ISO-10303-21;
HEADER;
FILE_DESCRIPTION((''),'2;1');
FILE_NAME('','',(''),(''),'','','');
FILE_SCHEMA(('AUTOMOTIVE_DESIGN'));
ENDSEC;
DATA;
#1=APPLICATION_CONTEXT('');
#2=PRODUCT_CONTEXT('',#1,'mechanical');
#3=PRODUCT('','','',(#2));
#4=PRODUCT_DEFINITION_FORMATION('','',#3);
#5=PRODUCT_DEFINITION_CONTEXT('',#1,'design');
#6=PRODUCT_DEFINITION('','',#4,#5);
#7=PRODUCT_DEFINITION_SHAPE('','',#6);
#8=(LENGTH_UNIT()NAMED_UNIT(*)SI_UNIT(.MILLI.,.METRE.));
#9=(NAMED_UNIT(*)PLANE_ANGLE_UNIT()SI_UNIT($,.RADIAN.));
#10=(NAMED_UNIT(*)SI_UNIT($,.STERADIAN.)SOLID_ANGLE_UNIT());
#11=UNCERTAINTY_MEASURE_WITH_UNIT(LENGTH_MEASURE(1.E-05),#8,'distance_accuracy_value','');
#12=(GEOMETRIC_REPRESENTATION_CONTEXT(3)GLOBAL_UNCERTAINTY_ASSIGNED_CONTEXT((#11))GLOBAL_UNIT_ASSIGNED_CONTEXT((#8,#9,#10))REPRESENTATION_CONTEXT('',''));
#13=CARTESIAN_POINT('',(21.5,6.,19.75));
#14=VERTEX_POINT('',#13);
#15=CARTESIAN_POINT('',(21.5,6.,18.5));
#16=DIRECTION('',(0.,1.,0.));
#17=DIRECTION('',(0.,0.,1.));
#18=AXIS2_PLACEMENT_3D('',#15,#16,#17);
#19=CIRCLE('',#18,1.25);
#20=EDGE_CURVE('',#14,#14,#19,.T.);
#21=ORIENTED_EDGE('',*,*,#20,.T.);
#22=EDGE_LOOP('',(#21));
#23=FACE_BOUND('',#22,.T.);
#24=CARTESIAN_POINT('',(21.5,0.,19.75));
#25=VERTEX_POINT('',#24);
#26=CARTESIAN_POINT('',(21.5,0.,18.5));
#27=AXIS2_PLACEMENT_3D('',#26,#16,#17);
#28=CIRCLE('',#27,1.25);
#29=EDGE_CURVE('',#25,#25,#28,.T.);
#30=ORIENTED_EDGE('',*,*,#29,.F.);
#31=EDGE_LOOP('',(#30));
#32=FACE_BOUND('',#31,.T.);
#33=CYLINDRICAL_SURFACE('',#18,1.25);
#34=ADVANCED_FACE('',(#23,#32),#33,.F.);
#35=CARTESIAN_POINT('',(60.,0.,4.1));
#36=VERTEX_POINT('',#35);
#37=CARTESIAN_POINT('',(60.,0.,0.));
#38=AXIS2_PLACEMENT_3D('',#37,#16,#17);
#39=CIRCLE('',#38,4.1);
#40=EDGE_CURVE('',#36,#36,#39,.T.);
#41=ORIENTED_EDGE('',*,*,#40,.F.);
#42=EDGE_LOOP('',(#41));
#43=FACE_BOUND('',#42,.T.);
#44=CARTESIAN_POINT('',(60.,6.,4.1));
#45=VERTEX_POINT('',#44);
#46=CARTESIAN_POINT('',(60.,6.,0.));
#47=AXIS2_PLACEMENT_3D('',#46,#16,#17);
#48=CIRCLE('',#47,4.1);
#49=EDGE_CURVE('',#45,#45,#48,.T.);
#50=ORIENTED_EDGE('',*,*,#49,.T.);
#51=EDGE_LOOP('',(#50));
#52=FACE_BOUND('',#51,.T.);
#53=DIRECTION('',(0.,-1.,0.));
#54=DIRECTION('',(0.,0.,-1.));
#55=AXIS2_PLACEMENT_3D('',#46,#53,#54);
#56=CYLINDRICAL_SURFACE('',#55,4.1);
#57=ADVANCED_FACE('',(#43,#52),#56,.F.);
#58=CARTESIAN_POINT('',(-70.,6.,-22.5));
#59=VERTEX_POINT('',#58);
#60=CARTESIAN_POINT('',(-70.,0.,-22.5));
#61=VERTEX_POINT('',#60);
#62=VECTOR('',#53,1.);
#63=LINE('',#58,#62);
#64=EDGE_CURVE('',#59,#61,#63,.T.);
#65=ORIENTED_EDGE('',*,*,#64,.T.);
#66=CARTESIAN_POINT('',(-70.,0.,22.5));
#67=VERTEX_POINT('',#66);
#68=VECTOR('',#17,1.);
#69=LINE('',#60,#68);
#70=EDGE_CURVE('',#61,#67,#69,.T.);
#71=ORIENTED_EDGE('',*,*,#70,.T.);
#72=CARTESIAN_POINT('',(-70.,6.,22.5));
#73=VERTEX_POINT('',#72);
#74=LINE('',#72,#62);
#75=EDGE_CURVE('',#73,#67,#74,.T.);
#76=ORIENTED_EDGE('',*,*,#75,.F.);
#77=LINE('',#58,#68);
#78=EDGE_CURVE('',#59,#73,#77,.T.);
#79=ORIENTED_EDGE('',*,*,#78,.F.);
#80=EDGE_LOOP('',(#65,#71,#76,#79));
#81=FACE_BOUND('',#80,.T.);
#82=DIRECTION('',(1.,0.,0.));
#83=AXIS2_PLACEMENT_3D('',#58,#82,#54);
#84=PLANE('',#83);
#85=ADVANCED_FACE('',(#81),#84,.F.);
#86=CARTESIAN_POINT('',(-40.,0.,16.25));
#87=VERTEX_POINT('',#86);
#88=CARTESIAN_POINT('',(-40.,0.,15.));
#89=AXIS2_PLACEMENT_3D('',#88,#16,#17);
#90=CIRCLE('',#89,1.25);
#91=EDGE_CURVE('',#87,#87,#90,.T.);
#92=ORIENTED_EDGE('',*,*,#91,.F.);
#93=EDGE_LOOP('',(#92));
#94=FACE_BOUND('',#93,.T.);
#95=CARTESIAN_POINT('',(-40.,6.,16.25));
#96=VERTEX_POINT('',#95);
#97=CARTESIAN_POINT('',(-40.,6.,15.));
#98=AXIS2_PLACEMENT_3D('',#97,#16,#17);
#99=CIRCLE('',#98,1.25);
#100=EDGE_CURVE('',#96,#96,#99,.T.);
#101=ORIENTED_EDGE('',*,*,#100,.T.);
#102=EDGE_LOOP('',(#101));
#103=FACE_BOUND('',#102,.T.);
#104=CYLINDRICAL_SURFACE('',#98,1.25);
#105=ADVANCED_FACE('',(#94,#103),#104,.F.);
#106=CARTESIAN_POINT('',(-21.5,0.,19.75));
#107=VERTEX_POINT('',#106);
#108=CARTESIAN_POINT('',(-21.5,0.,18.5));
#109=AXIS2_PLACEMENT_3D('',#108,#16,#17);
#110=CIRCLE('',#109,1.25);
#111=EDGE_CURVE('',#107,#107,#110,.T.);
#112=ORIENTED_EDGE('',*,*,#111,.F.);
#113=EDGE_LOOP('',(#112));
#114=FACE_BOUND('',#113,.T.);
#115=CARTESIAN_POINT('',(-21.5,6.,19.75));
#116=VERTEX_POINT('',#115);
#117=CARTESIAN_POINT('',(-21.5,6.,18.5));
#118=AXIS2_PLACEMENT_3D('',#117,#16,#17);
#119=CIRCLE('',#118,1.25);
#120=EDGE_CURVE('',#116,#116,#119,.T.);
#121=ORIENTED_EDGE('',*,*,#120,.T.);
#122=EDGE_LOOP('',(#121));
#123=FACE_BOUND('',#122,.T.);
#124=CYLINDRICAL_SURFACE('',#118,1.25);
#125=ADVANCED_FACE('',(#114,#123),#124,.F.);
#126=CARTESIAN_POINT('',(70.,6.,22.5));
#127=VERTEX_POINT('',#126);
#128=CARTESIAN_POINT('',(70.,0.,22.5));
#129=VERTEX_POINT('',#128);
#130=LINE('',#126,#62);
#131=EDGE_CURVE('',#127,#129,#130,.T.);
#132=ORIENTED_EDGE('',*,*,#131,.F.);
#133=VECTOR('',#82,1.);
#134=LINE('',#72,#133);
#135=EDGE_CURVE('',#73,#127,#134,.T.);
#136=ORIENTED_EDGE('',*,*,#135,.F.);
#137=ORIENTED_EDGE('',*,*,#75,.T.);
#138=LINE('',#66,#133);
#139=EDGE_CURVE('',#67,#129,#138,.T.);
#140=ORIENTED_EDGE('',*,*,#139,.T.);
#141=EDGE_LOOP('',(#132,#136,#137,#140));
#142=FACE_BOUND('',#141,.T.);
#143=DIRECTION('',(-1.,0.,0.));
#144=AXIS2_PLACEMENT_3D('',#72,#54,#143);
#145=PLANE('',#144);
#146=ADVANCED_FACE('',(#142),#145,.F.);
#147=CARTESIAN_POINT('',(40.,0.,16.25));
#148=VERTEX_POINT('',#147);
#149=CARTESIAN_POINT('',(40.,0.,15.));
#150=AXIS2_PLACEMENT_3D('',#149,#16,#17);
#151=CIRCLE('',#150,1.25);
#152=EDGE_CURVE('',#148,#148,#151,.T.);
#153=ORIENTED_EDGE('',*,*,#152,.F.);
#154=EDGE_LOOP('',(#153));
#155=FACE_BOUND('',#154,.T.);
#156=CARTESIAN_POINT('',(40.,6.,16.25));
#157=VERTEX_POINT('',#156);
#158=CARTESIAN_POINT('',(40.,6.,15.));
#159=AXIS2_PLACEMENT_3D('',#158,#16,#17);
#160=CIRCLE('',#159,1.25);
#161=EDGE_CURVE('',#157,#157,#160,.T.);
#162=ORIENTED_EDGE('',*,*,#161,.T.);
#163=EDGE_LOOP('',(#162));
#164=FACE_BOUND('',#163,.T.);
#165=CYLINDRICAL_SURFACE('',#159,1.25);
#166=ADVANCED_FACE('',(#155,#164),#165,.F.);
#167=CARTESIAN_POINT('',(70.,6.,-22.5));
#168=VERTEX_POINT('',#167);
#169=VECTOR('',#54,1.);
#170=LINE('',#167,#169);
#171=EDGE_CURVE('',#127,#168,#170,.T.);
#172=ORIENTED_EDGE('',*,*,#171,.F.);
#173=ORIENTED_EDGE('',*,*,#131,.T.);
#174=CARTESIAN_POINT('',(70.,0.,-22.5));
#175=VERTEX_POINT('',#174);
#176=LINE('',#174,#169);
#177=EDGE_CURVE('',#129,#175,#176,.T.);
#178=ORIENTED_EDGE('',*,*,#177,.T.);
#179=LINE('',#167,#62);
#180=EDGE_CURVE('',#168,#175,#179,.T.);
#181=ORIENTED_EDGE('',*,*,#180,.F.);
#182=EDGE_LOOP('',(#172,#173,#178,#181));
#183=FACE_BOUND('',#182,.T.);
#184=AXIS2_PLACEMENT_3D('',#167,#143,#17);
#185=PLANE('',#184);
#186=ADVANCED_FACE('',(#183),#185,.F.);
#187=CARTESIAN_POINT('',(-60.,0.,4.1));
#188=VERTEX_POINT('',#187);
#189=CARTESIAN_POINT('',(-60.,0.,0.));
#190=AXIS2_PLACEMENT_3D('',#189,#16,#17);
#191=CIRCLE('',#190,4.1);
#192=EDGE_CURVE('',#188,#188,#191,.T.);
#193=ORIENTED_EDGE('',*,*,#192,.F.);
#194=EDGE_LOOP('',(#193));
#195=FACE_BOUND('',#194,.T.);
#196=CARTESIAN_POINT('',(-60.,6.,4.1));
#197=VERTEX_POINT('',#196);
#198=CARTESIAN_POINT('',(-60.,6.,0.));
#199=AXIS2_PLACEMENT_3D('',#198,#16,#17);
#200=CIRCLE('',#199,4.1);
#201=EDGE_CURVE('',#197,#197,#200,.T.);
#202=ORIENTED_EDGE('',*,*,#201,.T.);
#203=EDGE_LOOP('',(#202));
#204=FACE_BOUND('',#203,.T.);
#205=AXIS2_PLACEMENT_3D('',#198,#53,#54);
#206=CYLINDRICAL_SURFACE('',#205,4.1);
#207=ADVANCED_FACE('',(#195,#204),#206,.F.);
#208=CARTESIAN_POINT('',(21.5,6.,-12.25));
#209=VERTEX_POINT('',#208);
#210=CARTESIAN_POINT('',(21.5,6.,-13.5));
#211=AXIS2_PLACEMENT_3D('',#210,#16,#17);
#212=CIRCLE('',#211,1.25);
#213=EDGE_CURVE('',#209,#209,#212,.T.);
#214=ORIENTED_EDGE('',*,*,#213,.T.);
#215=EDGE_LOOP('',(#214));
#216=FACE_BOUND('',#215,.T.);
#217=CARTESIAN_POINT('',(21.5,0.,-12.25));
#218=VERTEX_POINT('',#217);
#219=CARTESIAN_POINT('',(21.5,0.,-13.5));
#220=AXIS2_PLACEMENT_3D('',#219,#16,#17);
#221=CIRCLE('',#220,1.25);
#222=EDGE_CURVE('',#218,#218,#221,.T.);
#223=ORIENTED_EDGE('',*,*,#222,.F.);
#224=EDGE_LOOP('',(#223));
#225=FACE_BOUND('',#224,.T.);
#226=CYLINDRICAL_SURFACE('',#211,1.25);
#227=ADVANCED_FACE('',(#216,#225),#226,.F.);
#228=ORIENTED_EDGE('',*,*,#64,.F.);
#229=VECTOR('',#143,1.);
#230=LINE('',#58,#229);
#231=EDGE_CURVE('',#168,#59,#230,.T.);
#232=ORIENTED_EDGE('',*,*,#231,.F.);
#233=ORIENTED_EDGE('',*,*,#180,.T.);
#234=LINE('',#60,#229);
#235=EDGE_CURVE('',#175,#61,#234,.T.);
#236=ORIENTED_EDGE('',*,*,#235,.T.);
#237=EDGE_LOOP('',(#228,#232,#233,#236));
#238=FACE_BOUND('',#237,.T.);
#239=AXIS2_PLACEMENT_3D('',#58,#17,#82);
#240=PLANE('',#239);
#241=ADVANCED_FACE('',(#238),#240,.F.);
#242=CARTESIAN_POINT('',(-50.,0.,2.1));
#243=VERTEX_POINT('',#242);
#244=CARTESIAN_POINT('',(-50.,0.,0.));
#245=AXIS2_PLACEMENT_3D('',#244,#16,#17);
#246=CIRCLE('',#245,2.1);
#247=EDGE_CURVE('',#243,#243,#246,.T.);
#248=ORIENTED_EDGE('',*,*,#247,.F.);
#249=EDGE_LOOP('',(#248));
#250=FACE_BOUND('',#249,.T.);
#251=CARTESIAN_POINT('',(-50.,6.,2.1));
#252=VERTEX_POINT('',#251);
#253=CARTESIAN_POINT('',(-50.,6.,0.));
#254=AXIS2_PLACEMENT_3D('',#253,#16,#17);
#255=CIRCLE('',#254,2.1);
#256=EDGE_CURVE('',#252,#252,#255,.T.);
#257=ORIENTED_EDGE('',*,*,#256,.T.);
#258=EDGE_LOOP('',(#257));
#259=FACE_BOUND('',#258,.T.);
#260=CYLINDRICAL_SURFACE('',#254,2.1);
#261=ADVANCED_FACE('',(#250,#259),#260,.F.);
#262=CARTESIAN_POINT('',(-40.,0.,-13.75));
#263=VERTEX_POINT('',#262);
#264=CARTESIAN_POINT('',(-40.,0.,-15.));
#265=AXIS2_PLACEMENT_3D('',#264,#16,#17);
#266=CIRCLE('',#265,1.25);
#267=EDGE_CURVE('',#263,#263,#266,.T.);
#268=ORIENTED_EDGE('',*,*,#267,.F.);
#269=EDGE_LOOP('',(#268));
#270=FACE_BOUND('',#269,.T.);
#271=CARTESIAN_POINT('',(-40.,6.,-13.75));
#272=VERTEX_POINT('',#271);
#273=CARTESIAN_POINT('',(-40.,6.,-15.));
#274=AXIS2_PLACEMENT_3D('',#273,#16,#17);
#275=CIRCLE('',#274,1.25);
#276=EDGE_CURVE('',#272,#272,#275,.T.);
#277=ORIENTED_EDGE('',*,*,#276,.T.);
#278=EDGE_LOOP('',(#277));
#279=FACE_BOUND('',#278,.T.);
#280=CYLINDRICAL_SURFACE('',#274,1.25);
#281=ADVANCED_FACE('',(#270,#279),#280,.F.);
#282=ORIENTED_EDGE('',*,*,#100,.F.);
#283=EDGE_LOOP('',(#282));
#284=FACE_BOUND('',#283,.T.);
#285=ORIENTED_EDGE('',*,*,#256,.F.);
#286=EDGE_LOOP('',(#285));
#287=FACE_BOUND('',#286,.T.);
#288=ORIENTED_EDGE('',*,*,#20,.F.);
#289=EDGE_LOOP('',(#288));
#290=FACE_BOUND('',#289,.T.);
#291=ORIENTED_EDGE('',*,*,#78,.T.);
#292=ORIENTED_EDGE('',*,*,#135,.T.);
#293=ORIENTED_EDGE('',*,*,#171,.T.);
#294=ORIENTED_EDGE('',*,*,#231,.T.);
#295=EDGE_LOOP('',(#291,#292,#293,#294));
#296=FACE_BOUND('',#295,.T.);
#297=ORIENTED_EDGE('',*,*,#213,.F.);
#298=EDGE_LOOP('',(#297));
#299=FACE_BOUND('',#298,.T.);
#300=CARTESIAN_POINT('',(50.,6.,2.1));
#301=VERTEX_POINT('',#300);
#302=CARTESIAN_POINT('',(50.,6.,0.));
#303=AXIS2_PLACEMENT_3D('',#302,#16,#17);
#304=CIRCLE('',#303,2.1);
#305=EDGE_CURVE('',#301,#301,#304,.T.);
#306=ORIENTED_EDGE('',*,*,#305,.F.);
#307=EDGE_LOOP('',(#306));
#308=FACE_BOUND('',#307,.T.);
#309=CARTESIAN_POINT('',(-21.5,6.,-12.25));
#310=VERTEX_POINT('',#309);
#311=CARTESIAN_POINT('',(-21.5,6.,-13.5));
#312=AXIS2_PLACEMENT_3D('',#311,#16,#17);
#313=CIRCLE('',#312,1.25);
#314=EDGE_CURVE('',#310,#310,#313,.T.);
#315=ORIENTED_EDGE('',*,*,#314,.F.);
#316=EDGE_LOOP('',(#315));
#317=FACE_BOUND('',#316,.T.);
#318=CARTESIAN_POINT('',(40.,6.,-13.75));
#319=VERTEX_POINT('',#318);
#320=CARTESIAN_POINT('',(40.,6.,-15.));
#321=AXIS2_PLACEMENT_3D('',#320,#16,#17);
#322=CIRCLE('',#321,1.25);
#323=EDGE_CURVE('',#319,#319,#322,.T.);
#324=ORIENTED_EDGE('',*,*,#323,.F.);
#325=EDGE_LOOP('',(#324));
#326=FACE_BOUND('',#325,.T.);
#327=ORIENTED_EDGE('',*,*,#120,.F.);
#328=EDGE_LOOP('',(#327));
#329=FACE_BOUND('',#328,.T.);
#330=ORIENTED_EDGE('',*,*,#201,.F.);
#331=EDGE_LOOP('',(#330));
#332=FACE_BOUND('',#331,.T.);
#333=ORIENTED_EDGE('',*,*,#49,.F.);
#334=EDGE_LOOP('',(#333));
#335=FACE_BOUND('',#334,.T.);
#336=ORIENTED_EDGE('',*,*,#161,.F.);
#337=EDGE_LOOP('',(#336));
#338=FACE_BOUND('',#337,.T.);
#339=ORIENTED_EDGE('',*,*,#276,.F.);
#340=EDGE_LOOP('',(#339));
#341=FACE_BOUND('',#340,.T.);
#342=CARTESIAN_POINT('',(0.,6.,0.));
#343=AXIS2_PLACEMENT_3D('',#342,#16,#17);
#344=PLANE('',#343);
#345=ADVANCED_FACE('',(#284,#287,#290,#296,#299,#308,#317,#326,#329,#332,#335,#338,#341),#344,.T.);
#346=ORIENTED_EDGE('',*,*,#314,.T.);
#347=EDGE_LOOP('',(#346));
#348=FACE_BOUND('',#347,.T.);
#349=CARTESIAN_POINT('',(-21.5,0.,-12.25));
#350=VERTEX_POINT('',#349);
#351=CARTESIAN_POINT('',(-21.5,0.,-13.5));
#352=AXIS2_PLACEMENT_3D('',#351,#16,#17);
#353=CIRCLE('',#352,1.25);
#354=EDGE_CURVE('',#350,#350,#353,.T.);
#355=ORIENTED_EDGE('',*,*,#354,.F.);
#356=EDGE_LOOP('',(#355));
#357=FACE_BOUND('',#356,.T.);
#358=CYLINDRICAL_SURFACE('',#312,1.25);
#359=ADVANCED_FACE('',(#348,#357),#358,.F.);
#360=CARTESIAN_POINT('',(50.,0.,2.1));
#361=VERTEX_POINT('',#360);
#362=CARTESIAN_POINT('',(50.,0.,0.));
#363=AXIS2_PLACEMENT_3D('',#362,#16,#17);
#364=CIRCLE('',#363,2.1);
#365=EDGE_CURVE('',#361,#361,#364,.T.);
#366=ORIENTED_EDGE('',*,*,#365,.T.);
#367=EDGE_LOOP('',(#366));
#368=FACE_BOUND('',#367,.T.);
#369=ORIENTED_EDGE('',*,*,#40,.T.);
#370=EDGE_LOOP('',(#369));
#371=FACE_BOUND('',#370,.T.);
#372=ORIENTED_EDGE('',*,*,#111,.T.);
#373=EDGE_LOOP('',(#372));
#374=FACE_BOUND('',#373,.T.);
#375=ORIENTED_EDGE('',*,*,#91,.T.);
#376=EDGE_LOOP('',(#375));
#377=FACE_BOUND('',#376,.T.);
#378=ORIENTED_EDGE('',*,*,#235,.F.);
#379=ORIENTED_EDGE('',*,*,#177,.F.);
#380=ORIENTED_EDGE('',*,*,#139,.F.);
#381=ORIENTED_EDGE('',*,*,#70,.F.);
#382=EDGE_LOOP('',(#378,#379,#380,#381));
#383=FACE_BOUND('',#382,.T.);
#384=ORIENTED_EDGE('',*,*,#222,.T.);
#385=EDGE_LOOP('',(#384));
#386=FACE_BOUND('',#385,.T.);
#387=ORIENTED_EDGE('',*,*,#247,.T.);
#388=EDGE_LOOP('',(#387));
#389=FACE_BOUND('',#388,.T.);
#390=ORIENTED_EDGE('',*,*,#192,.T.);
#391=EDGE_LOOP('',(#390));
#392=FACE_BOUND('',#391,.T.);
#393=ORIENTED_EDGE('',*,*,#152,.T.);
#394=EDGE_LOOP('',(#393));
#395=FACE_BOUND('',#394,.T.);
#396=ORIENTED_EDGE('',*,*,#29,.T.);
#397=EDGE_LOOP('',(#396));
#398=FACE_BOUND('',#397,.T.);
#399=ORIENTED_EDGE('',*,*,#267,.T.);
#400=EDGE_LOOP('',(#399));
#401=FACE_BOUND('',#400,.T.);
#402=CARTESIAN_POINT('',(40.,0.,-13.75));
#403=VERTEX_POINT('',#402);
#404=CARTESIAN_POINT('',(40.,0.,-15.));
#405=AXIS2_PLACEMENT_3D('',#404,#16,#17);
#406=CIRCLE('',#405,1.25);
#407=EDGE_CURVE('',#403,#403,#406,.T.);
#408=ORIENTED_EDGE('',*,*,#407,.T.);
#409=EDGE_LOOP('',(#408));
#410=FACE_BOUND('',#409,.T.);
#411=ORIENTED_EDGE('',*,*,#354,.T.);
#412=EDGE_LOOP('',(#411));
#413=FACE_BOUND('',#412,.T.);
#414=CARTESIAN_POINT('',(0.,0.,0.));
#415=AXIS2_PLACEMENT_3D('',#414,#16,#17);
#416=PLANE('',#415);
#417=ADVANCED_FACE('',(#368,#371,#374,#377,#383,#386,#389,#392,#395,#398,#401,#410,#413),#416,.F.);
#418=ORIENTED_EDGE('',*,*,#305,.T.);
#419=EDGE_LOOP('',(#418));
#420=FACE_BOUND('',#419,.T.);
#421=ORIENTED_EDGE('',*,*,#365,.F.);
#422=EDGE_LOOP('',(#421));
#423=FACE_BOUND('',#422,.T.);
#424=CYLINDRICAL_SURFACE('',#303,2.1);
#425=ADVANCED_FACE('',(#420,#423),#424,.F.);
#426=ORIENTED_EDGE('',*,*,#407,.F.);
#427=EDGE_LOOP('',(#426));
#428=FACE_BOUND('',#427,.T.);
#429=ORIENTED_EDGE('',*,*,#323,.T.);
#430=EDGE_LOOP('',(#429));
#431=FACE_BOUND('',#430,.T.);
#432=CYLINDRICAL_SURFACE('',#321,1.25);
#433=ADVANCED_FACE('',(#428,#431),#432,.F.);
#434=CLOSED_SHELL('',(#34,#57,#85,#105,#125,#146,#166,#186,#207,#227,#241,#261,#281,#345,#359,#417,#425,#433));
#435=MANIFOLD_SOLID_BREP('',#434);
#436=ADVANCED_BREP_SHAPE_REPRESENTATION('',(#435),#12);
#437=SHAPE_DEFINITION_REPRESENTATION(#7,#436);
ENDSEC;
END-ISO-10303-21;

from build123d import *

# Parameters (mm, degrees)
SKETCH_1_W              = 140
SKETCH_1_H              = 45
SKETCH_1_R              = 4.1
SKETCH_1_R_2            = 0.5
EXTRUDE_1_DEPTH         = 6
M3_TAPPED_HOLE5_D       = 2.5
M3_TAPPED_HOLE2_D       = 2.5
HOLE_WIZARD_4_2_4_2_1_D = 4.2


with BuildPart() as part:
    # 草图1 → 凸台-拉伸1 (new body)
    with BuildSketch(Plane(origin=(0, 0, 0), x_dir=(1, 0, 0), z_dir=(0, 1, 0))):
        Rectangle(SKETCH_1_W, SKETCH_1_H)
        with Locations((60, 0)):
            Circle(SKETCH_1_R, mode=Mode.SUBTRACT)
        with Locations((-60, 0)):
            Circle(SKETCH_1_R, mode=Mode.SUBTRACT)
        with Locations((-40, 15)):
            Circle(SKETCH_1_R_2, mode=Mode.SUBTRACT)
        with Locations((40, 15)):
            Circle(SKETCH_1_R_2, mode=Mode.SUBTRACT)
        with Locations((40, -15)):
            Circle(SKETCH_1_R_2, mode=Mode.SUBTRACT)
        with Locations((-40, -15)):
            Circle(SKETCH_1_R_2, mode=Mode.SUBTRACT)
    extrude(amount=EXTRUDE_1_DEPTH)

    # M3 Tapped Hole5 (through all)
    with Locations(Plane(origin=(0, 6, 0), x_dir=(1, 0, 0), z_dir=(0, 1, 0))):
        with Locations((-40, 15), (-40, -15), (40, -15), (40, 15)):
            Hole(M3_TAPPED_HOLE5_D / 2)

    # M3 Tapped Hole2 (through all)
    with Locations(Plane(origin=(0, 6, 0), x_dir=(1, 0, 0), z_dir=(0, 1, 0))):
        with Locations((-21.5, 13.5), (21.5, 13.5), (21.5, -18.5), (-21.5, -18.5)):
            Hole(M3_TAPPED_HOLE2_D / 2)

    # Ø4.2 (4.2) 直径孔1 (through all)
    with Locations(Plane(origin=(0, 6, 0), x_dir=(1, 0, 0), z_dir=(0, 1, 0))):
        with Locations((50, 0), (-50, 0)):
            Hole(HOLE_WIZARD_4_2_4_2_1_D / 2)


solid = part.part
